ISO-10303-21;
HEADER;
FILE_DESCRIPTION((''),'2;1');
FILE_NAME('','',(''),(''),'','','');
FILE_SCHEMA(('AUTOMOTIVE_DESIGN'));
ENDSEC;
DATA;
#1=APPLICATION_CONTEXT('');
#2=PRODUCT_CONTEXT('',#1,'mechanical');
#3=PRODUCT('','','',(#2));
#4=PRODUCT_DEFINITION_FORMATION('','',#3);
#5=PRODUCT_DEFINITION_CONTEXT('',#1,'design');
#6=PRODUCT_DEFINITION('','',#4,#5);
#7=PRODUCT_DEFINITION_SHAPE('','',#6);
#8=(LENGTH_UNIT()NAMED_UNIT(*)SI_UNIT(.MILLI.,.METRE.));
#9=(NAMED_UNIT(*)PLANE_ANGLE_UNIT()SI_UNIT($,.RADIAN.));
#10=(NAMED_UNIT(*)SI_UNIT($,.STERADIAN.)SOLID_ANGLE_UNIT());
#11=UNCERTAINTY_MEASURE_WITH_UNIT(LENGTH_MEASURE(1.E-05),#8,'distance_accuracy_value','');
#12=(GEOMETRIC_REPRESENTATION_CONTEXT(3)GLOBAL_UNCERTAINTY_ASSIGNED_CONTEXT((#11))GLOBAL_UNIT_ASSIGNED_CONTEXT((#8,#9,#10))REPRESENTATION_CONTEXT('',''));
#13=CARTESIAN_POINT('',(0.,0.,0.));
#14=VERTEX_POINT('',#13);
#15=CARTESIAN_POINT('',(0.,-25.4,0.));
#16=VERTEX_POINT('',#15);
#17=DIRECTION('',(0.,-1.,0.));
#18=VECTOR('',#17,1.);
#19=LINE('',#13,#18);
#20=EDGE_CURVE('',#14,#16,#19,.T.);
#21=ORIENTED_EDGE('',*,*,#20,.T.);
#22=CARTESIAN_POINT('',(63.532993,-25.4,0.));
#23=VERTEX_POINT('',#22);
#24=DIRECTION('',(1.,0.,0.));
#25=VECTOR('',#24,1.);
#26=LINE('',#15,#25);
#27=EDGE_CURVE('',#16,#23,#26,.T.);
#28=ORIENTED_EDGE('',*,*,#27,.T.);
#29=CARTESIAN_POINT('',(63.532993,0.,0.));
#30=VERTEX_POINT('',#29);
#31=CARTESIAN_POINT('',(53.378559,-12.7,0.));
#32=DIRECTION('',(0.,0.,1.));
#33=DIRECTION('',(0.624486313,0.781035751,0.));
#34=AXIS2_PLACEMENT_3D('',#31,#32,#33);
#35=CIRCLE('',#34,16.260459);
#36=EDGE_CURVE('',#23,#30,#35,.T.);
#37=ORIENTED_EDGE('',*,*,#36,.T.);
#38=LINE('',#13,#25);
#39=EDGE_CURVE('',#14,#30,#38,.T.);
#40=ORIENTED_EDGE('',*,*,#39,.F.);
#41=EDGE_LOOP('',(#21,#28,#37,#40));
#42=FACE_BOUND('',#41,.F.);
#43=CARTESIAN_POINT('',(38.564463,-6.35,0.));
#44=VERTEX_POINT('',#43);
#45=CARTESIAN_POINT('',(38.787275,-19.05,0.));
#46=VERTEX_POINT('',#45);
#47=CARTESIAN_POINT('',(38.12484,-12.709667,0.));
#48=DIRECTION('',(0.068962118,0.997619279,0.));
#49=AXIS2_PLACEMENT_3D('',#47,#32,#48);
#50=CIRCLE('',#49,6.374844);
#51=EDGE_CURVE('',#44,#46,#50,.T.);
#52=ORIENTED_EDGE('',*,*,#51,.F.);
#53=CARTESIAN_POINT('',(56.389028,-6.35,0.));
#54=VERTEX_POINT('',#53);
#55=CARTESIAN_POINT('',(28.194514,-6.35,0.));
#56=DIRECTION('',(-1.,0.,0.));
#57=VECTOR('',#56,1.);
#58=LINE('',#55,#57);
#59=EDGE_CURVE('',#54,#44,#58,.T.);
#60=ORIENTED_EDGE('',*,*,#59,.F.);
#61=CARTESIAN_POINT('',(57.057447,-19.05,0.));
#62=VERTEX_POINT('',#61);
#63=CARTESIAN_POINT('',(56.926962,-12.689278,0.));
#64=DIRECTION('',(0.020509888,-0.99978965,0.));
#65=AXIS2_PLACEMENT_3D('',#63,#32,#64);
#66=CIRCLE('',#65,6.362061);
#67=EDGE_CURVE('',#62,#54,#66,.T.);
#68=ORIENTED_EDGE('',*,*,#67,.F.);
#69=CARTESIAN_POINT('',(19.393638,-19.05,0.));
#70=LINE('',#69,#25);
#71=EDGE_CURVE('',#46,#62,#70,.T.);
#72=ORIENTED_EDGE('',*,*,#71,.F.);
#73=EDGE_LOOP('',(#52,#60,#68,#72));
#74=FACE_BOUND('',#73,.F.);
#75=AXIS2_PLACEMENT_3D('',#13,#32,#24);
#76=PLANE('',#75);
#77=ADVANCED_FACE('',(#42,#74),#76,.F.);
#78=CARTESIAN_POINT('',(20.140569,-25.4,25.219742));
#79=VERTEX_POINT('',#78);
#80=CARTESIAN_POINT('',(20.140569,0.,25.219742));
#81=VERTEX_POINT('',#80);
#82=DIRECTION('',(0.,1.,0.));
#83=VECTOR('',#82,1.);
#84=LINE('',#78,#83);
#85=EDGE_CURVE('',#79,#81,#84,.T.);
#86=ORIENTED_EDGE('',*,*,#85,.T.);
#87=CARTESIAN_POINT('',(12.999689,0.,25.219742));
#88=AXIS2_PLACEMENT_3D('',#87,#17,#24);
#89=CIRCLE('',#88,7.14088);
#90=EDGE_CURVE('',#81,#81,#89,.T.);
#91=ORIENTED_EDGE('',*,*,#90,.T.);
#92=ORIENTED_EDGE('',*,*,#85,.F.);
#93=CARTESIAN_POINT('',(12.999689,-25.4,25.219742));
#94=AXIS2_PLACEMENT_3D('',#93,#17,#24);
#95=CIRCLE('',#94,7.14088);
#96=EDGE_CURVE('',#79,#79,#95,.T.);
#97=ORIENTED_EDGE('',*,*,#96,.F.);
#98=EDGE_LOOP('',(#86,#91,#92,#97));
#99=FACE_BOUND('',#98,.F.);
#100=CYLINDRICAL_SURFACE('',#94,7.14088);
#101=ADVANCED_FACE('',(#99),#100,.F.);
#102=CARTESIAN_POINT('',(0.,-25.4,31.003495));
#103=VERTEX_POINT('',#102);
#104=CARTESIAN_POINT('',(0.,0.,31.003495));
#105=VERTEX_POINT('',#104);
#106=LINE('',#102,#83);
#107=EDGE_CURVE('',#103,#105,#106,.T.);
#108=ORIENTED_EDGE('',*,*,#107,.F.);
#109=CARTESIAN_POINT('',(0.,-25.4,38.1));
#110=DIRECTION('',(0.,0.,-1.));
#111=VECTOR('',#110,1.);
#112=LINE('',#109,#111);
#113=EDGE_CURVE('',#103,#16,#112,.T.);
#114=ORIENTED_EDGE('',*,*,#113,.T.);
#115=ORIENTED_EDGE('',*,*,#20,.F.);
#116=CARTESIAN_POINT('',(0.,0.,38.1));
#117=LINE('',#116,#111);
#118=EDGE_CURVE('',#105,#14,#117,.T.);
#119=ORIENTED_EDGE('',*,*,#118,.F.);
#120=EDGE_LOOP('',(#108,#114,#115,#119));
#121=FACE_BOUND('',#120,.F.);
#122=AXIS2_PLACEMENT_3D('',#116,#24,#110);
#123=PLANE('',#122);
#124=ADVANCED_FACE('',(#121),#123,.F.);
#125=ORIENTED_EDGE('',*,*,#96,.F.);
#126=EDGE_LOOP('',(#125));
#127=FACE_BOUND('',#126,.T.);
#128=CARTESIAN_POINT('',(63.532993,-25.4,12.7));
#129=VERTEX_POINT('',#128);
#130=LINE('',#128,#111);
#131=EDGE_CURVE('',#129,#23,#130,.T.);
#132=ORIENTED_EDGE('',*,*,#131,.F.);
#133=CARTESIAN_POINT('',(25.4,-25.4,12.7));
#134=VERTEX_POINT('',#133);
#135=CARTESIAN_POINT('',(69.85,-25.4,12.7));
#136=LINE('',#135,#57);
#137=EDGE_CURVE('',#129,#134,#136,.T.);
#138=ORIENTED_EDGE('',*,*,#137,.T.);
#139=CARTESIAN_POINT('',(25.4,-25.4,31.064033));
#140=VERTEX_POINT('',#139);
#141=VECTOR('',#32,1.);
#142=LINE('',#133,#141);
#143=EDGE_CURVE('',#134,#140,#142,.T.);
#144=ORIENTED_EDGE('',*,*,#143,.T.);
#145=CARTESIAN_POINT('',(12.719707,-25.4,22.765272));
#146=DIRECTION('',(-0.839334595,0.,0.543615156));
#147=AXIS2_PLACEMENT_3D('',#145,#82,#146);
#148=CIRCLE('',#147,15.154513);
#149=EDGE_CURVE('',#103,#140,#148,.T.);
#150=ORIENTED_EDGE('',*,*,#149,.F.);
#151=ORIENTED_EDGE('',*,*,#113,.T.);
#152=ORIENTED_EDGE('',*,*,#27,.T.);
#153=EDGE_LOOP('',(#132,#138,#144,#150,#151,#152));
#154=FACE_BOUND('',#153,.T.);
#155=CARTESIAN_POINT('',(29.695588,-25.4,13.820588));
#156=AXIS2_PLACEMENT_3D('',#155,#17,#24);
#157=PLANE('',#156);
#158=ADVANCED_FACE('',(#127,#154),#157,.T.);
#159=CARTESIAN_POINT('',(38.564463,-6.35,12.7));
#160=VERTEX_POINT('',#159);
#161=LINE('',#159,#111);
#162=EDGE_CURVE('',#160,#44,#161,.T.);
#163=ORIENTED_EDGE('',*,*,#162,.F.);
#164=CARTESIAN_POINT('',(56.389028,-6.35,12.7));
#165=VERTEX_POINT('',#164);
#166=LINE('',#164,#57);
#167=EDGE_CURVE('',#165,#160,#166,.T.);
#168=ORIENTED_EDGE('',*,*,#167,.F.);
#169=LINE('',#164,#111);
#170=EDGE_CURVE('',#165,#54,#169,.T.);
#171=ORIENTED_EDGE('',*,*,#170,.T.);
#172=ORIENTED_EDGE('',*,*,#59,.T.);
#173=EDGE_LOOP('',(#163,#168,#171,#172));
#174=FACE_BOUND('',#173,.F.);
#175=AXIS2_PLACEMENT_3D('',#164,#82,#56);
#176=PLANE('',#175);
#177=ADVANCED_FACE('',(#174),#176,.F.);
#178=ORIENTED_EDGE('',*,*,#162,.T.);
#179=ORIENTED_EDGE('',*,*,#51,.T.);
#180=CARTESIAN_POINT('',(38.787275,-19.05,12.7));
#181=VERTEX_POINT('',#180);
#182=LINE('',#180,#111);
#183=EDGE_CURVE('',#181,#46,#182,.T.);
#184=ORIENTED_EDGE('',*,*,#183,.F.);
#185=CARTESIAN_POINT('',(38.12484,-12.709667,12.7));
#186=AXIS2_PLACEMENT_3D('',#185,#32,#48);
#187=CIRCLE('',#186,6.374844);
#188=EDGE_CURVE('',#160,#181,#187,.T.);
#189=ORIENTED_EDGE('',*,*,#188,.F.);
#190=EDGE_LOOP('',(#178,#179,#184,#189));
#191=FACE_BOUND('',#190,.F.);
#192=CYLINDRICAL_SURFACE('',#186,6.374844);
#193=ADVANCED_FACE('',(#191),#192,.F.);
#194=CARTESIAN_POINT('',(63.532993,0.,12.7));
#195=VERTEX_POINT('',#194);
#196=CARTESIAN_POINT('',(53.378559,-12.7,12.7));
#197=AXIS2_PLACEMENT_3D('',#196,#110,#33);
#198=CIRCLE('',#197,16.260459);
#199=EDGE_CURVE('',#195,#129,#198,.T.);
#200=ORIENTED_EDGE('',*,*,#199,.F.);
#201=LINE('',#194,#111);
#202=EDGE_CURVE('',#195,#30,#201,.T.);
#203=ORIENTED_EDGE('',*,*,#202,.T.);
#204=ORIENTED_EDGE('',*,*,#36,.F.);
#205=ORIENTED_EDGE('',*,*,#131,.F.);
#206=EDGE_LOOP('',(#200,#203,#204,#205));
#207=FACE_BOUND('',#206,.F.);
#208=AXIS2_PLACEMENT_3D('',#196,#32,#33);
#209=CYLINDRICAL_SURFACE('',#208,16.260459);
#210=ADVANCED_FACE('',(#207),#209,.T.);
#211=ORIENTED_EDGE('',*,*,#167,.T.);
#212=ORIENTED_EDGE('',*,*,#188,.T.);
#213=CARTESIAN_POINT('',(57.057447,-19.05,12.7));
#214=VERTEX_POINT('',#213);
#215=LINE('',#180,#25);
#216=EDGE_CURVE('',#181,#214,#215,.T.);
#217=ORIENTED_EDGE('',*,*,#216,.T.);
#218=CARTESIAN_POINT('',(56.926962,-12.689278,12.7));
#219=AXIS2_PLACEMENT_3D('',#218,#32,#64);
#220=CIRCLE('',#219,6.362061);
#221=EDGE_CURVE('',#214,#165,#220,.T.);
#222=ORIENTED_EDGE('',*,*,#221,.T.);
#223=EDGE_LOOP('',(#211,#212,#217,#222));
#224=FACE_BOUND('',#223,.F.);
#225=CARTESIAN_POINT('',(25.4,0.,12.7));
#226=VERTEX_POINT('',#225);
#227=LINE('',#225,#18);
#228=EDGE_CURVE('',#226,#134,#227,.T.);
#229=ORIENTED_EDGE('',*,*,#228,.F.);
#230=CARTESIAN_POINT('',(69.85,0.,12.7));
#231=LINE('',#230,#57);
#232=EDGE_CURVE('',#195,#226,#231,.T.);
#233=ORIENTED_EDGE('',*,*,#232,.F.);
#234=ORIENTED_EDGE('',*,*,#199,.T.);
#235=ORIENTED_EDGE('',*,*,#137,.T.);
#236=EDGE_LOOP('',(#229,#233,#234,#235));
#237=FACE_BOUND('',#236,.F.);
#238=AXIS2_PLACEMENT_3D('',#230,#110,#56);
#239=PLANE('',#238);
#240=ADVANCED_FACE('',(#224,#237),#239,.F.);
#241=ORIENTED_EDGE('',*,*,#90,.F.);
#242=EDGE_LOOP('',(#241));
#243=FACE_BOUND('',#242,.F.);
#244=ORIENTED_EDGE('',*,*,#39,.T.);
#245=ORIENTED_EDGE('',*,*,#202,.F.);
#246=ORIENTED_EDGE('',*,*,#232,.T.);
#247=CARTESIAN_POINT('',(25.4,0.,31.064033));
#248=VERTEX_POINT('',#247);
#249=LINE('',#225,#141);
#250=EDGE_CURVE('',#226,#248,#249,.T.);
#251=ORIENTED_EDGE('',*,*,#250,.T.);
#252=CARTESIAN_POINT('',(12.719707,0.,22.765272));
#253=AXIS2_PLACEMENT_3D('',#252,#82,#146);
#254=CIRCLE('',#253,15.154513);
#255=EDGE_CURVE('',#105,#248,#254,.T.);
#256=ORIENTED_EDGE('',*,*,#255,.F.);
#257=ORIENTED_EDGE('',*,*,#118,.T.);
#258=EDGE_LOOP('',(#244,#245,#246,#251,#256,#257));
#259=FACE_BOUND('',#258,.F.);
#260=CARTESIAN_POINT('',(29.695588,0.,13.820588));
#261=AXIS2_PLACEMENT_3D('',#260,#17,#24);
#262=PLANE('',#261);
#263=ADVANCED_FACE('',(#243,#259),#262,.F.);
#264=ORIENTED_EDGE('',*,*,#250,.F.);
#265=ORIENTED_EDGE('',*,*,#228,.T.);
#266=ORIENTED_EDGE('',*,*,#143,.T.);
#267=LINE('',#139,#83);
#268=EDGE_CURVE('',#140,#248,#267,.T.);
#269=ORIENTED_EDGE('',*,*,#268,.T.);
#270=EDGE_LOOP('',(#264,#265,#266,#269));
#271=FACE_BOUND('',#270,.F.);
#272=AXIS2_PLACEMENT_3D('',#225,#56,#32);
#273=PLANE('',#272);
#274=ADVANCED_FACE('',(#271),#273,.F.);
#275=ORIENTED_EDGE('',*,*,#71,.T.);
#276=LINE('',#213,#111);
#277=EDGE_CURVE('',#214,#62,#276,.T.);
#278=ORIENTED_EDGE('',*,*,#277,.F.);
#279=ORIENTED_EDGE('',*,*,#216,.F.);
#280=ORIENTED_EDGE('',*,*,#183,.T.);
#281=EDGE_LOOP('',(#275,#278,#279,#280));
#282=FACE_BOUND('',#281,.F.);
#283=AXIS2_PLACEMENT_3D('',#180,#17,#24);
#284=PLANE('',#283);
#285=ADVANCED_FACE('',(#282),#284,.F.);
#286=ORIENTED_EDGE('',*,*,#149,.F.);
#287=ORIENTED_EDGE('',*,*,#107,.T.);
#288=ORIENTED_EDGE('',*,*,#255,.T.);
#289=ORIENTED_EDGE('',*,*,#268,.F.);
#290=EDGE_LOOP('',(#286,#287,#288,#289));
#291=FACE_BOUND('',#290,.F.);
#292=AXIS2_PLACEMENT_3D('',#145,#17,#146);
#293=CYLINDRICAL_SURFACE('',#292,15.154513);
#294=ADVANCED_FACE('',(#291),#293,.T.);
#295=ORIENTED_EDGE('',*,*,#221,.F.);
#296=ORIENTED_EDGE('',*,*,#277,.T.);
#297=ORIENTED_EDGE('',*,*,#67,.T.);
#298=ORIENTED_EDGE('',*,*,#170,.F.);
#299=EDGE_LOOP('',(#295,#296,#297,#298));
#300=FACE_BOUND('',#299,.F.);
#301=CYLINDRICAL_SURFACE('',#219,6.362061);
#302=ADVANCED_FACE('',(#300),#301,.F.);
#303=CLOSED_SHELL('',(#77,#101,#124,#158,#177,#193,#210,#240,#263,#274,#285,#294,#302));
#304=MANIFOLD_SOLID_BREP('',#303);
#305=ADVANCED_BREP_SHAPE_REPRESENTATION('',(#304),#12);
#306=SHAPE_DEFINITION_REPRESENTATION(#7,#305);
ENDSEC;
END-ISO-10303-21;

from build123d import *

# Parameters (mm, degrees)
F1_DEPTH = 25.4
F3_DEPTH = 25.4
F5_DEPTH = 25.4
F6_R     = 7.14088
F7_DEPTH = 25.4
F9_DEPTH = 25.4


with BuildPart() as f1:
    # F0 (on Front) → F1 (new body)
    with BuildSketch(Plane.XZ):
        Polygon((25.4, 38.1), (0, 38.1), (0, 0), (69.85, 0), (69.85, 12.7), (25.4, 12.7), align=None)
    extrude(amount=F1_DEPTH)

    # F2 (on face) → F3 (cut)
    with BuildSketch(Plane.XZ.offset(25.4)):
        with BuildLine():
            ThreePointArc((0, 31.003495), (12.683588, 37.919742), (25.4, 31.064033))
            Line((25.4, 31.064033), (25.4, 38.1))
            Line((25.4, 38.1), (0, 38.1))
            Line((0, 38.1), (0, 31.003495))
        make_face()
    extrude(amount=-F3_DEPTH, mode=Mode.SUBTRACT)

    # F4 (on face) → F5 (cut)
    with BuildSketch(Plane.XY.offset(12.7)):
        with BuildLine():
            ThreePointArc((63.532993, 0), (69.639018, -12.7), (63.532993, -25.4))
            Line((63.532993, -25.4), (69.85, -25.4))
            Line((69.85, -25.4), (69.85, 0))
            Line((69.85, 0), (63.532993, 0))
        make_face()
    extrude(amount=-F5_DEPTH, mode=Mode.SUBTRACT)

    # F6 (on face) → F7 (cut)
    with BuildSketch(Plane.XZ.offset(25.4)):
        with Locations((12.999689, 25.219742)):
            Circle(F6_R)
    extrude(amount=-F7_DEPTH, mode=Mode.SUBTRACT)

    # F8 (on face) → F9 (cut)
    with BuildSketch(Plane.XY.offset(12.7)):
        with BuildLine():
            Line((56.389028, -6.35), (38.564463, -6.35))
            ThreePointArc((38.564463, -6.35), (31.750977, -12.821492), (38.787275, -19.05))
            Line((38.787275, -19.05), (57.057447, -19.05))
            ThreePointArc((57.057447, -19.05), (63.280229, -12.354896), (56.389028, -6.35))
        make_face()
    extrude(amount=-F9_DEPTH, mode=Mode.SUBTRACT)


solid = f1.part
